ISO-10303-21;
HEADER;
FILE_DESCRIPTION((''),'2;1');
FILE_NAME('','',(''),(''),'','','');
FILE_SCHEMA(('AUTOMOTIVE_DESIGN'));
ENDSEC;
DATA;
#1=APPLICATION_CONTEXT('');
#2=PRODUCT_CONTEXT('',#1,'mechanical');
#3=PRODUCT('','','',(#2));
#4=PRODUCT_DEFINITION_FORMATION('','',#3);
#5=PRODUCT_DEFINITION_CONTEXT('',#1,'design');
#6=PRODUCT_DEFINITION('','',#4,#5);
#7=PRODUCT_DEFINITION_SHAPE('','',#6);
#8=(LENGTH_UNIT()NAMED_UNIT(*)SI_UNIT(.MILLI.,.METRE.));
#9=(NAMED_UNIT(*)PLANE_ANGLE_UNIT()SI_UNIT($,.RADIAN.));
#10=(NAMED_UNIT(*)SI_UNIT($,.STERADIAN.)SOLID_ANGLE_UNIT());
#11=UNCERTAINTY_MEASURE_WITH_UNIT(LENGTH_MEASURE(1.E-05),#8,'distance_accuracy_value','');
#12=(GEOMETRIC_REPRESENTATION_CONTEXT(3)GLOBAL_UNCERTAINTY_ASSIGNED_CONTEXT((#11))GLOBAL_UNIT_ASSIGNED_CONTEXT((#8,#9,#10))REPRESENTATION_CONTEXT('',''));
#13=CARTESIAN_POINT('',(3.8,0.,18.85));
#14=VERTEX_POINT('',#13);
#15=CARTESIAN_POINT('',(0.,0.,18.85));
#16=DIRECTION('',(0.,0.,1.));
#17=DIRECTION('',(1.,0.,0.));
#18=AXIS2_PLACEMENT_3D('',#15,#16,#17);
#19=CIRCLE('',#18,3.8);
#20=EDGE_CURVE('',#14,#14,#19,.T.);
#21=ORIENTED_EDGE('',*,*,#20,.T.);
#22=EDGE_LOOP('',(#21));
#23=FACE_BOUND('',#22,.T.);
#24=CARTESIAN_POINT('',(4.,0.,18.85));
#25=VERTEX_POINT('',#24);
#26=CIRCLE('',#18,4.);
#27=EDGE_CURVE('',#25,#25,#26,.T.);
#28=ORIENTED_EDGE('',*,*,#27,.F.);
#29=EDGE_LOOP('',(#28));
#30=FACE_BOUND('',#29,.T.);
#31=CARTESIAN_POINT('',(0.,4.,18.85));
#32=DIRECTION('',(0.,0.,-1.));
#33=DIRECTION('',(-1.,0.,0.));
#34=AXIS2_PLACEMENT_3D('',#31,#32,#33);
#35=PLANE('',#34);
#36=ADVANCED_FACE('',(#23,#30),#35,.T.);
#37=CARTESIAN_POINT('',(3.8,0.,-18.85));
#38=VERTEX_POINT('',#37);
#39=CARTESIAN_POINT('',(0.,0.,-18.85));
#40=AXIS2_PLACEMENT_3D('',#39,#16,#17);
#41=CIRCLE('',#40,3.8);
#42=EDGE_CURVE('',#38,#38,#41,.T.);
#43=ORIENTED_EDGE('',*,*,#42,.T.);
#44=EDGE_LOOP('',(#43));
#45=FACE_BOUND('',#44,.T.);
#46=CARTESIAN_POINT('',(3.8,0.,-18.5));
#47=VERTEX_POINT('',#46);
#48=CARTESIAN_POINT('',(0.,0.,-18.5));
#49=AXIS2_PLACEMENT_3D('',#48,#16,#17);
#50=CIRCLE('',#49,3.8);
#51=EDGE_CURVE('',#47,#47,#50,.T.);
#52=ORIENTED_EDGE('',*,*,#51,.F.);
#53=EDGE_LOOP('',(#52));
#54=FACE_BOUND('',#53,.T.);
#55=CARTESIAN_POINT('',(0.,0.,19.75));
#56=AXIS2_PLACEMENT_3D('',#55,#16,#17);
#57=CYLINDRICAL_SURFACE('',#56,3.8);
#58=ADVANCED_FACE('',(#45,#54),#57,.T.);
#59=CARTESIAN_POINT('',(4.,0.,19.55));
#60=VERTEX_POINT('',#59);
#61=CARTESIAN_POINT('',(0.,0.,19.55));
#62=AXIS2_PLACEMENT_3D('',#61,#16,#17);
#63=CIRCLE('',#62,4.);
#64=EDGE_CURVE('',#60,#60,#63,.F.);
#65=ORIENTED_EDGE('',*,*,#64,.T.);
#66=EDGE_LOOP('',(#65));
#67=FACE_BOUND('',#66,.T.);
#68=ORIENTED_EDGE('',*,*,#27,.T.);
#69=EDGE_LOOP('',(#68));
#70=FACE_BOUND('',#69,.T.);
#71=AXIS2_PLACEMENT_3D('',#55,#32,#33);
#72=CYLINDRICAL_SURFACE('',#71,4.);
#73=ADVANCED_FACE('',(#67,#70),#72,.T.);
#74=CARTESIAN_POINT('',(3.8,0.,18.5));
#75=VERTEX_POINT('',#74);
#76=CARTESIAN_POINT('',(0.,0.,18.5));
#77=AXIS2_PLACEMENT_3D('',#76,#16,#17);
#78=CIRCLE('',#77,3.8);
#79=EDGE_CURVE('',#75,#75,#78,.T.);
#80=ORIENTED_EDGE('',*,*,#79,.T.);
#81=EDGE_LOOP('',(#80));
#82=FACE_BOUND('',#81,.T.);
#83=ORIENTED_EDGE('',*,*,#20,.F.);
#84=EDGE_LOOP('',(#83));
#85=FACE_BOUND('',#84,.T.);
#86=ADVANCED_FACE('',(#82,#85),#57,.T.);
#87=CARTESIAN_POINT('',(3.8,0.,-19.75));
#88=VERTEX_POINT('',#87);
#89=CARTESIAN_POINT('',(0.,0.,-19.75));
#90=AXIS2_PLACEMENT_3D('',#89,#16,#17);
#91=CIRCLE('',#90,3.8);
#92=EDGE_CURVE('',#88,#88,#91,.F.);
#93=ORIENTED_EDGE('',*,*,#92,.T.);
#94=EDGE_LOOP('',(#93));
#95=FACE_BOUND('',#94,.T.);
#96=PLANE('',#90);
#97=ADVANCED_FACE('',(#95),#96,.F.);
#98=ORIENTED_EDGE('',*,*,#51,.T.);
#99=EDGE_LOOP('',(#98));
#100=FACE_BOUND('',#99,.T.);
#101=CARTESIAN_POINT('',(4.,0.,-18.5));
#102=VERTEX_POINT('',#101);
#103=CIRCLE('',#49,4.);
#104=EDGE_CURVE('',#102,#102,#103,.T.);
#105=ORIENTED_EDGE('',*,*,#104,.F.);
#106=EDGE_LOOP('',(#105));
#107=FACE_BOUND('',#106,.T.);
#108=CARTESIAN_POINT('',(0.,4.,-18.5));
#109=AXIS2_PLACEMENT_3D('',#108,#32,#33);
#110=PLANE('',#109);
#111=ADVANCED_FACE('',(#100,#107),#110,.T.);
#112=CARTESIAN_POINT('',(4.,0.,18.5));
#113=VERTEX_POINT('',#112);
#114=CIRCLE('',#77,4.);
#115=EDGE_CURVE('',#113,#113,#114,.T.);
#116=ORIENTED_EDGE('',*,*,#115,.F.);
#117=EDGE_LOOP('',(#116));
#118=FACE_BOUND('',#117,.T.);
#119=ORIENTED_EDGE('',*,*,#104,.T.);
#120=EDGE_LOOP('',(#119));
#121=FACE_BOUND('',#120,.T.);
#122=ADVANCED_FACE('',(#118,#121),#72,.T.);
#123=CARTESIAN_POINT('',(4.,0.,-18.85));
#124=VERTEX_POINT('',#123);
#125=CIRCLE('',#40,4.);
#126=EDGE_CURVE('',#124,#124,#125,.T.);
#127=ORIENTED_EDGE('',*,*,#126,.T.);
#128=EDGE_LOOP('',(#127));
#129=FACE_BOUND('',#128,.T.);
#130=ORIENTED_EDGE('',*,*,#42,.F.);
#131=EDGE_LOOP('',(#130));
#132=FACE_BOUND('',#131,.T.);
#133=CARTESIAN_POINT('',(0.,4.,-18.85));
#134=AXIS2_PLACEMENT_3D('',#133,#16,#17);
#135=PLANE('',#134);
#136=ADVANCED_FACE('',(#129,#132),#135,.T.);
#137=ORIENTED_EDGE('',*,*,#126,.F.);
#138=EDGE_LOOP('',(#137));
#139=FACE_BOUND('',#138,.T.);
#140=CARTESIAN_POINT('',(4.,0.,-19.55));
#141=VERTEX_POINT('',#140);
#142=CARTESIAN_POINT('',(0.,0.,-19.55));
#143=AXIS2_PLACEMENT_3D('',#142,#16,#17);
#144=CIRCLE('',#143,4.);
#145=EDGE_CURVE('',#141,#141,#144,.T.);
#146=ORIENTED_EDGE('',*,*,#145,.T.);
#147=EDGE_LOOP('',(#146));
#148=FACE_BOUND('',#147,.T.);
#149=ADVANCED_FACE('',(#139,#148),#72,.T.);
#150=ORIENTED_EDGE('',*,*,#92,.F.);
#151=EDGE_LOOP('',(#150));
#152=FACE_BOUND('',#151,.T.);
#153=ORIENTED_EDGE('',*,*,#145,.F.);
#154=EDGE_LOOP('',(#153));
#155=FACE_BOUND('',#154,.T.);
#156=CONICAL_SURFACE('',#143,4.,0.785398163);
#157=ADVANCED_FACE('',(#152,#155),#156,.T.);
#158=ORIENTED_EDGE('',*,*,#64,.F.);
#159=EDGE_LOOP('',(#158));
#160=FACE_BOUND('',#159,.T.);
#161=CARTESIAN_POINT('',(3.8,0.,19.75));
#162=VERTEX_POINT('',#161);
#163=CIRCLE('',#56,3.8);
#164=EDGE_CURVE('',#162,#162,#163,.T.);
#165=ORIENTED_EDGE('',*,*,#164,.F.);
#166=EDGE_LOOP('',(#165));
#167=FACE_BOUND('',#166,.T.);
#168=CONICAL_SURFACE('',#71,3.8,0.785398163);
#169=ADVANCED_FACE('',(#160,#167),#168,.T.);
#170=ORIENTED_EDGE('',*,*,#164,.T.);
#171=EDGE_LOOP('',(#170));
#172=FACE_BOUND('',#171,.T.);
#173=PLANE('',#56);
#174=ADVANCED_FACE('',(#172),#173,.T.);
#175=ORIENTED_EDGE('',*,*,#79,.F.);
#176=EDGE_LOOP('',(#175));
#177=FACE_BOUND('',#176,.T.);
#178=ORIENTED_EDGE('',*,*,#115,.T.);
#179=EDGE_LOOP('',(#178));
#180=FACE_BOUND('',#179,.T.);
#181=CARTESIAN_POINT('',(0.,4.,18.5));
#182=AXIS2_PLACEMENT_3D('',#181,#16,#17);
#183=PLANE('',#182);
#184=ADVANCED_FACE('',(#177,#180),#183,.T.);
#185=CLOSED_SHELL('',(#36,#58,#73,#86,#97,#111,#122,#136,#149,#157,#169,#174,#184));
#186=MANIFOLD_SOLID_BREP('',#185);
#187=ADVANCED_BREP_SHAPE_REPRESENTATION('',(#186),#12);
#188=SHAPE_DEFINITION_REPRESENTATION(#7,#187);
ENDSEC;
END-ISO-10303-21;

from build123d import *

# Parameters (mm, degrees)
SKETCH_1_R      = 4
EXTRUDE_1_DEPTH = 19.75
SKETCH_2_W      = 0.35
SKETCH_2_H      = 0.2
CHAMFER_1_SIZE  = 0.2


with BuildPart() as part:
    # 草图1 → 凸台-拉伸1 (new, symmetric)
    with BuildSketch(Plane.XY):
        Circle(SKETCH_1_R)
    extrude(amount=EXTRUDE_1_DEPTH, both=True)

    # 草图2 → 切除-旋转1 (revolve, cut)
    with BuildSketch(Plane(origin=(0, 0, 0), x_dir=(0, 0, -1), z_dir=(1, 0, 0)), mode=Mode.PRIVATE) as cut_revolve_1_sk:
        with Locations((-18.675, 3.9)):
            Rectangle(SKETCH_2_W, SKETCH_2_H)
        with Locations((18.675, 3.9)):
            Rectangle(SKETCH_2_W, SKETCH_2_H)
    revolve(cut_revolve_1_sk.sketch.rotate(Axis((0, 0, 19.75), (0, 0, -1)), 90), axis=Axis((0, 0, 19.75), (0, 0, -1)), mode=Mode.SUBTRACT)

    # 倒角1
    chamfer_1_edges = [part.edges().sort_by_distance(p)[0] for p in [
        (-4, 0, -19.75),
        (-4, 0, 19.75),
    ]]
    chamfer(chamfer_1_edges, length=CHAMFER_1_SIZE)


solid = part.part
